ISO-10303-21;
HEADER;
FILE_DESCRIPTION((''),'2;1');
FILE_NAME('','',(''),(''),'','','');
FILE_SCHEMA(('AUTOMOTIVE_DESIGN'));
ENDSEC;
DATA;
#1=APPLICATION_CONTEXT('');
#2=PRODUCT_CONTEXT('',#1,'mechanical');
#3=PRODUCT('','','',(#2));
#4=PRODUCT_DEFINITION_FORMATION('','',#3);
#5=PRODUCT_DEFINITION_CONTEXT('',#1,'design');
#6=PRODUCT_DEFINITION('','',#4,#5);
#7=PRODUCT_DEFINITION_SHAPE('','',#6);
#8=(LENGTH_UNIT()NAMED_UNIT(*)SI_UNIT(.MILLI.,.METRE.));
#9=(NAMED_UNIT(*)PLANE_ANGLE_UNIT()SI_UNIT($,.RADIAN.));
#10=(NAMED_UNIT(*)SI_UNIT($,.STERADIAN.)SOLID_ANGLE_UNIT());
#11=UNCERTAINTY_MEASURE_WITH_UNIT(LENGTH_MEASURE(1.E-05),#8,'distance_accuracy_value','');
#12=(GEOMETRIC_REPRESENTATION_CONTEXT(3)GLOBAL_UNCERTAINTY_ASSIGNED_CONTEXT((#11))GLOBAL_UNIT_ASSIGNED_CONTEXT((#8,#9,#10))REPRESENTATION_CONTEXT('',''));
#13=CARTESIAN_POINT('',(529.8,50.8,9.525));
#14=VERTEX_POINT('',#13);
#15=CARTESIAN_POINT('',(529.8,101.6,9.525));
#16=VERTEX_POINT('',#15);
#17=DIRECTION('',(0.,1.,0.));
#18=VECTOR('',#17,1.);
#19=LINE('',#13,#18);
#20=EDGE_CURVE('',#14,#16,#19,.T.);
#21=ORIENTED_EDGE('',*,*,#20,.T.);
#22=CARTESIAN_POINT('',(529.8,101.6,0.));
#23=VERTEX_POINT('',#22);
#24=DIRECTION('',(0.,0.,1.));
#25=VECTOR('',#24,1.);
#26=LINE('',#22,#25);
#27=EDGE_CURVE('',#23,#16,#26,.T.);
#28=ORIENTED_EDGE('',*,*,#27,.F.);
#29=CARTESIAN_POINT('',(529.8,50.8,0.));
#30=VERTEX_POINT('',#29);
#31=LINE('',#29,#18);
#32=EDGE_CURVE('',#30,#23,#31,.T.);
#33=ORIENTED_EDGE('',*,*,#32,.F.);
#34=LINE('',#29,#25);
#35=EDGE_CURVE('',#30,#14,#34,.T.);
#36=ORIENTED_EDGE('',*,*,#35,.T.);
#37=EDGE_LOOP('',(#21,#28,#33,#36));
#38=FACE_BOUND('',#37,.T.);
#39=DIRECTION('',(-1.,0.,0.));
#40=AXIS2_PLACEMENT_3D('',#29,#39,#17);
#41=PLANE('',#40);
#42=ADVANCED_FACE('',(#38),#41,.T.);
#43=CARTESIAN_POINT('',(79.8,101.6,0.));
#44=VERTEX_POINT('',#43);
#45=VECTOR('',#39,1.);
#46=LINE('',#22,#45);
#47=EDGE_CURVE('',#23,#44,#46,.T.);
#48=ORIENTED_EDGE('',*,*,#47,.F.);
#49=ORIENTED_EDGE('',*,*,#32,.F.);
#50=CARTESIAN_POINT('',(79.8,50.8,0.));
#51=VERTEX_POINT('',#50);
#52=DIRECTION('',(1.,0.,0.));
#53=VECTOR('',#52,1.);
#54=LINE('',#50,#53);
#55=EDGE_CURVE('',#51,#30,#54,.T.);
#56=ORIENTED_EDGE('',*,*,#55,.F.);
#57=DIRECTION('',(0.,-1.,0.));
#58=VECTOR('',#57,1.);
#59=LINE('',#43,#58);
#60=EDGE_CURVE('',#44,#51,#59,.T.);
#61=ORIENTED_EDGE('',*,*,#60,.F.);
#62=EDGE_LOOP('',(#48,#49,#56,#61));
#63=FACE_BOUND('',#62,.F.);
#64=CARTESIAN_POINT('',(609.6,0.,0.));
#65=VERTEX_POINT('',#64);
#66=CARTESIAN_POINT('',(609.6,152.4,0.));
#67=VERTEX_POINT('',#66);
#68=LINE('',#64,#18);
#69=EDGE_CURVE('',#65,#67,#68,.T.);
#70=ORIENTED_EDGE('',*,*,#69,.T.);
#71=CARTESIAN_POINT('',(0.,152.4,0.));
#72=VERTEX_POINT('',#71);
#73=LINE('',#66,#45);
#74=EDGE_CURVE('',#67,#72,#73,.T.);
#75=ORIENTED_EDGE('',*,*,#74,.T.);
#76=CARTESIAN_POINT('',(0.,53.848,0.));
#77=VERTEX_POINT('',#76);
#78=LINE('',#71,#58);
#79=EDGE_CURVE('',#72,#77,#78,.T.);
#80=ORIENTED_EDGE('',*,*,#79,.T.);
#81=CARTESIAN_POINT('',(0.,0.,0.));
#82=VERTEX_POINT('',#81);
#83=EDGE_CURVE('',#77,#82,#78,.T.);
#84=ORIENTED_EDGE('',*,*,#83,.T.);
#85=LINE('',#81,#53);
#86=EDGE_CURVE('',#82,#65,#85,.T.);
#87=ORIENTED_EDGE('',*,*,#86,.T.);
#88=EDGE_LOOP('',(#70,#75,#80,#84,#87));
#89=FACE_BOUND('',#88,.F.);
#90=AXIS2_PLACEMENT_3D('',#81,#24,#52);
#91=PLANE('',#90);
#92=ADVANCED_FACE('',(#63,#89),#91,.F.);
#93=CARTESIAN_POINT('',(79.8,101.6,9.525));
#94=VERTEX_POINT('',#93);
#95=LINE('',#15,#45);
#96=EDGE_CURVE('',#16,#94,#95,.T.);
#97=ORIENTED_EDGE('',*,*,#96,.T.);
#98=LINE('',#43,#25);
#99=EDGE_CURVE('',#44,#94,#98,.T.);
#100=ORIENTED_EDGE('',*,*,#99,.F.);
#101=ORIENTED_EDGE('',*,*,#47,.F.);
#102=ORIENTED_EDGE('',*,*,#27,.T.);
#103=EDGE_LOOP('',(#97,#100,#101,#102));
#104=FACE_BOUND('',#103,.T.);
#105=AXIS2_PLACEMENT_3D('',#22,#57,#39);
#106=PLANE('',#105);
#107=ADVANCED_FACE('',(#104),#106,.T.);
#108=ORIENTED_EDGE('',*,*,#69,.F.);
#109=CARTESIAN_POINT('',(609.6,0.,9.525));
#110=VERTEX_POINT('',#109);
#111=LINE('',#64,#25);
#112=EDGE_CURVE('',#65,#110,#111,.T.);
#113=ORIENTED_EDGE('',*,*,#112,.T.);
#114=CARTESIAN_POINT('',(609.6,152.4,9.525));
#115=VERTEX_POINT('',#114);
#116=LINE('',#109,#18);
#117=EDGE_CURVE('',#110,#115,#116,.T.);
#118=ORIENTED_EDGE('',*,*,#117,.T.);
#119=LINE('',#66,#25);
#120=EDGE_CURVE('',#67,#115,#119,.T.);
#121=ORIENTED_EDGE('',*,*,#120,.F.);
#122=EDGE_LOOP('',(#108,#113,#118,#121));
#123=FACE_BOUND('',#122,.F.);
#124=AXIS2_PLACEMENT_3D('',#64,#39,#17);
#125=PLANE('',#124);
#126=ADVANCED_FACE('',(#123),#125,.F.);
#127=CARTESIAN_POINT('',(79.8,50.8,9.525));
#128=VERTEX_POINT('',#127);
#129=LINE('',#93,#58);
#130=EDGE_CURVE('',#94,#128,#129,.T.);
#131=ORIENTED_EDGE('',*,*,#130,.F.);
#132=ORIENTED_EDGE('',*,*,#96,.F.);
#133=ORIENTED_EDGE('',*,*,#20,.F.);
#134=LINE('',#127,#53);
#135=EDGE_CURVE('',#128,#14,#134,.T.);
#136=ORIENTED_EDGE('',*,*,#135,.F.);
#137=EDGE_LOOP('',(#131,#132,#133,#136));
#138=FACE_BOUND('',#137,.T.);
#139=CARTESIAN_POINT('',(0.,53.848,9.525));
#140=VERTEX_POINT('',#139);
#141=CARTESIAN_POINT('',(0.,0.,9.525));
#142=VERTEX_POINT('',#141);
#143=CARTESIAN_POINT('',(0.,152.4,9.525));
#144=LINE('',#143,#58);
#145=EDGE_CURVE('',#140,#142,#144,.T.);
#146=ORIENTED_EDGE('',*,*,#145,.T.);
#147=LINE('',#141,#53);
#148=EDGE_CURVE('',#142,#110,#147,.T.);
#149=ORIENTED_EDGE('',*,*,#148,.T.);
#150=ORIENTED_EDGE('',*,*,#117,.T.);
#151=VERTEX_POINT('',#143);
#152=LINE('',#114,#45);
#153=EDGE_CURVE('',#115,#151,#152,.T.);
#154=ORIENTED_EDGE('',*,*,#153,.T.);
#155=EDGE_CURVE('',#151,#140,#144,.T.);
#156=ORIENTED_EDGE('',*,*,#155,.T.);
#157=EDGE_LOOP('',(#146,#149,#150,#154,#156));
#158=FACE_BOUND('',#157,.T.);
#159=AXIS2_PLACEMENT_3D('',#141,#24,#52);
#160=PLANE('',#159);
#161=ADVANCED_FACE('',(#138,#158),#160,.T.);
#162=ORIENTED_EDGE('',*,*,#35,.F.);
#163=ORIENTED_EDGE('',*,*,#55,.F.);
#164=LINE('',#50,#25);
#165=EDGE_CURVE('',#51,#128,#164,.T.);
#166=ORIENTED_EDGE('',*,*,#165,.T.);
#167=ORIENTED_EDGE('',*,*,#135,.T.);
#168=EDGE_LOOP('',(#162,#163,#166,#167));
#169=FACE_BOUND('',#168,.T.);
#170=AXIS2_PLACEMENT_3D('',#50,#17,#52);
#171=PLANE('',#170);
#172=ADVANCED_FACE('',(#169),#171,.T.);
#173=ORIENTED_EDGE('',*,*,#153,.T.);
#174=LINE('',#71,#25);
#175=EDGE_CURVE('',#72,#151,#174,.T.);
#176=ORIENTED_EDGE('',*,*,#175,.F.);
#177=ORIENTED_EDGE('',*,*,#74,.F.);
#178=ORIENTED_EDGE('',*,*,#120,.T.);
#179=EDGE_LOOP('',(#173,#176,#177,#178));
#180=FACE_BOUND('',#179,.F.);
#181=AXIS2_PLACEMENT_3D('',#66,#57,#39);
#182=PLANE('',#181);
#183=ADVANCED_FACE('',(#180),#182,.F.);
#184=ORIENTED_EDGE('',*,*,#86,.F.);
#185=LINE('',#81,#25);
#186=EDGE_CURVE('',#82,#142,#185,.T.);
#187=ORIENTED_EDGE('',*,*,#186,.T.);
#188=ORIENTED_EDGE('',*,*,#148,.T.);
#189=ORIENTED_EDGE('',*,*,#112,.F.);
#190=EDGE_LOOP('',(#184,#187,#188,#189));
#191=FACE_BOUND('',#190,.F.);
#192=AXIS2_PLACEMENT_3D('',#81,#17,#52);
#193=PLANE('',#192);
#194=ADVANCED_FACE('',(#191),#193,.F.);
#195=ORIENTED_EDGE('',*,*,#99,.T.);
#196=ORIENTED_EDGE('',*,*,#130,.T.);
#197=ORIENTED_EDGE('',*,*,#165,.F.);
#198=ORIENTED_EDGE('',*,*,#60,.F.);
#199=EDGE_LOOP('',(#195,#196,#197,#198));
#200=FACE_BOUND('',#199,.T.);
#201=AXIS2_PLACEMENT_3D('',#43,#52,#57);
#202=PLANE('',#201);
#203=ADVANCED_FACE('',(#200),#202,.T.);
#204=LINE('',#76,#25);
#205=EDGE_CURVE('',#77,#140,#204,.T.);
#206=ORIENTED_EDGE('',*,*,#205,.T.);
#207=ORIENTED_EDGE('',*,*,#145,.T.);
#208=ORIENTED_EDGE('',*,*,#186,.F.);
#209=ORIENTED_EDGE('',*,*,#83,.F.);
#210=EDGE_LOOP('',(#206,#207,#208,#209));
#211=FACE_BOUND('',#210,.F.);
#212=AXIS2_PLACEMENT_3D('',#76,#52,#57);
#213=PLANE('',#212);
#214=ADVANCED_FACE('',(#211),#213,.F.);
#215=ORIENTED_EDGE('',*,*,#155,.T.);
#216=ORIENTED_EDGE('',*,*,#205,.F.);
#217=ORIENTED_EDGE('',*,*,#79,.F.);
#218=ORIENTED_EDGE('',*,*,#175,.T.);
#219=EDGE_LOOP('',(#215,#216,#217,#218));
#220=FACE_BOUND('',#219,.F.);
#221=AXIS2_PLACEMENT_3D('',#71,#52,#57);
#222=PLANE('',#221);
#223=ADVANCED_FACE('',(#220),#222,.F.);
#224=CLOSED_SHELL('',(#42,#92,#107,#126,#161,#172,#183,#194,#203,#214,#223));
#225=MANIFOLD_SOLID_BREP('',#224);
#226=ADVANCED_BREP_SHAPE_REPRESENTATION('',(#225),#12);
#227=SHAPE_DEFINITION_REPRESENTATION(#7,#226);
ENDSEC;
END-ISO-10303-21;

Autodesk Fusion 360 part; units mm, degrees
sketch "Sketch1" plane through (0, 0, 0) normal (0, 0, 1) x (1, 0, 0)
  line L0 (0, 0) -> (609.6, 0)
  line L1 (609.6, 0) -> (609.6, 152.4)
  line L2 (609.6, 152.4) -> (0, 152.4)
  line L3 (0, 152.4) -> (0, 0)
  line L4 (0, 0) -> (0, 53.848)
  line L5 (0, 76.2) -> (609.6, 76.2) construction
  line L6 (304.8, 152.4) -> (304.8, 0) construction
  line L7 (529.8, 101.6) -> (79.8, 101.6)
  line L8 (79.8, 101.6) -> (79.8, 50.8)
  line L9 (79.8, 50.8) -> (529.8, 50.8)
  line L10 (529.8, 50.8) -> (529.8, 101.6)
  line L11 (529.8, 101.6) -> (79.8, 50.8) construction
  line L12 (79.8, 101.6) -> (529.8, 50.8) construction
  point P0 (0, 0)
  dimension "d1" = 609.6
  dimension "d2" = 152.4
  dimension "d12" = 450
  dimension "d13" = 50.8
extrude "Extrude1" add sketch "Sketch1" along normal blind 9.525
equation "d1 = 2'-0\""
equation "d2 = 6\""
equation "d8 = ( 3 / 8 ) * 1 in"
